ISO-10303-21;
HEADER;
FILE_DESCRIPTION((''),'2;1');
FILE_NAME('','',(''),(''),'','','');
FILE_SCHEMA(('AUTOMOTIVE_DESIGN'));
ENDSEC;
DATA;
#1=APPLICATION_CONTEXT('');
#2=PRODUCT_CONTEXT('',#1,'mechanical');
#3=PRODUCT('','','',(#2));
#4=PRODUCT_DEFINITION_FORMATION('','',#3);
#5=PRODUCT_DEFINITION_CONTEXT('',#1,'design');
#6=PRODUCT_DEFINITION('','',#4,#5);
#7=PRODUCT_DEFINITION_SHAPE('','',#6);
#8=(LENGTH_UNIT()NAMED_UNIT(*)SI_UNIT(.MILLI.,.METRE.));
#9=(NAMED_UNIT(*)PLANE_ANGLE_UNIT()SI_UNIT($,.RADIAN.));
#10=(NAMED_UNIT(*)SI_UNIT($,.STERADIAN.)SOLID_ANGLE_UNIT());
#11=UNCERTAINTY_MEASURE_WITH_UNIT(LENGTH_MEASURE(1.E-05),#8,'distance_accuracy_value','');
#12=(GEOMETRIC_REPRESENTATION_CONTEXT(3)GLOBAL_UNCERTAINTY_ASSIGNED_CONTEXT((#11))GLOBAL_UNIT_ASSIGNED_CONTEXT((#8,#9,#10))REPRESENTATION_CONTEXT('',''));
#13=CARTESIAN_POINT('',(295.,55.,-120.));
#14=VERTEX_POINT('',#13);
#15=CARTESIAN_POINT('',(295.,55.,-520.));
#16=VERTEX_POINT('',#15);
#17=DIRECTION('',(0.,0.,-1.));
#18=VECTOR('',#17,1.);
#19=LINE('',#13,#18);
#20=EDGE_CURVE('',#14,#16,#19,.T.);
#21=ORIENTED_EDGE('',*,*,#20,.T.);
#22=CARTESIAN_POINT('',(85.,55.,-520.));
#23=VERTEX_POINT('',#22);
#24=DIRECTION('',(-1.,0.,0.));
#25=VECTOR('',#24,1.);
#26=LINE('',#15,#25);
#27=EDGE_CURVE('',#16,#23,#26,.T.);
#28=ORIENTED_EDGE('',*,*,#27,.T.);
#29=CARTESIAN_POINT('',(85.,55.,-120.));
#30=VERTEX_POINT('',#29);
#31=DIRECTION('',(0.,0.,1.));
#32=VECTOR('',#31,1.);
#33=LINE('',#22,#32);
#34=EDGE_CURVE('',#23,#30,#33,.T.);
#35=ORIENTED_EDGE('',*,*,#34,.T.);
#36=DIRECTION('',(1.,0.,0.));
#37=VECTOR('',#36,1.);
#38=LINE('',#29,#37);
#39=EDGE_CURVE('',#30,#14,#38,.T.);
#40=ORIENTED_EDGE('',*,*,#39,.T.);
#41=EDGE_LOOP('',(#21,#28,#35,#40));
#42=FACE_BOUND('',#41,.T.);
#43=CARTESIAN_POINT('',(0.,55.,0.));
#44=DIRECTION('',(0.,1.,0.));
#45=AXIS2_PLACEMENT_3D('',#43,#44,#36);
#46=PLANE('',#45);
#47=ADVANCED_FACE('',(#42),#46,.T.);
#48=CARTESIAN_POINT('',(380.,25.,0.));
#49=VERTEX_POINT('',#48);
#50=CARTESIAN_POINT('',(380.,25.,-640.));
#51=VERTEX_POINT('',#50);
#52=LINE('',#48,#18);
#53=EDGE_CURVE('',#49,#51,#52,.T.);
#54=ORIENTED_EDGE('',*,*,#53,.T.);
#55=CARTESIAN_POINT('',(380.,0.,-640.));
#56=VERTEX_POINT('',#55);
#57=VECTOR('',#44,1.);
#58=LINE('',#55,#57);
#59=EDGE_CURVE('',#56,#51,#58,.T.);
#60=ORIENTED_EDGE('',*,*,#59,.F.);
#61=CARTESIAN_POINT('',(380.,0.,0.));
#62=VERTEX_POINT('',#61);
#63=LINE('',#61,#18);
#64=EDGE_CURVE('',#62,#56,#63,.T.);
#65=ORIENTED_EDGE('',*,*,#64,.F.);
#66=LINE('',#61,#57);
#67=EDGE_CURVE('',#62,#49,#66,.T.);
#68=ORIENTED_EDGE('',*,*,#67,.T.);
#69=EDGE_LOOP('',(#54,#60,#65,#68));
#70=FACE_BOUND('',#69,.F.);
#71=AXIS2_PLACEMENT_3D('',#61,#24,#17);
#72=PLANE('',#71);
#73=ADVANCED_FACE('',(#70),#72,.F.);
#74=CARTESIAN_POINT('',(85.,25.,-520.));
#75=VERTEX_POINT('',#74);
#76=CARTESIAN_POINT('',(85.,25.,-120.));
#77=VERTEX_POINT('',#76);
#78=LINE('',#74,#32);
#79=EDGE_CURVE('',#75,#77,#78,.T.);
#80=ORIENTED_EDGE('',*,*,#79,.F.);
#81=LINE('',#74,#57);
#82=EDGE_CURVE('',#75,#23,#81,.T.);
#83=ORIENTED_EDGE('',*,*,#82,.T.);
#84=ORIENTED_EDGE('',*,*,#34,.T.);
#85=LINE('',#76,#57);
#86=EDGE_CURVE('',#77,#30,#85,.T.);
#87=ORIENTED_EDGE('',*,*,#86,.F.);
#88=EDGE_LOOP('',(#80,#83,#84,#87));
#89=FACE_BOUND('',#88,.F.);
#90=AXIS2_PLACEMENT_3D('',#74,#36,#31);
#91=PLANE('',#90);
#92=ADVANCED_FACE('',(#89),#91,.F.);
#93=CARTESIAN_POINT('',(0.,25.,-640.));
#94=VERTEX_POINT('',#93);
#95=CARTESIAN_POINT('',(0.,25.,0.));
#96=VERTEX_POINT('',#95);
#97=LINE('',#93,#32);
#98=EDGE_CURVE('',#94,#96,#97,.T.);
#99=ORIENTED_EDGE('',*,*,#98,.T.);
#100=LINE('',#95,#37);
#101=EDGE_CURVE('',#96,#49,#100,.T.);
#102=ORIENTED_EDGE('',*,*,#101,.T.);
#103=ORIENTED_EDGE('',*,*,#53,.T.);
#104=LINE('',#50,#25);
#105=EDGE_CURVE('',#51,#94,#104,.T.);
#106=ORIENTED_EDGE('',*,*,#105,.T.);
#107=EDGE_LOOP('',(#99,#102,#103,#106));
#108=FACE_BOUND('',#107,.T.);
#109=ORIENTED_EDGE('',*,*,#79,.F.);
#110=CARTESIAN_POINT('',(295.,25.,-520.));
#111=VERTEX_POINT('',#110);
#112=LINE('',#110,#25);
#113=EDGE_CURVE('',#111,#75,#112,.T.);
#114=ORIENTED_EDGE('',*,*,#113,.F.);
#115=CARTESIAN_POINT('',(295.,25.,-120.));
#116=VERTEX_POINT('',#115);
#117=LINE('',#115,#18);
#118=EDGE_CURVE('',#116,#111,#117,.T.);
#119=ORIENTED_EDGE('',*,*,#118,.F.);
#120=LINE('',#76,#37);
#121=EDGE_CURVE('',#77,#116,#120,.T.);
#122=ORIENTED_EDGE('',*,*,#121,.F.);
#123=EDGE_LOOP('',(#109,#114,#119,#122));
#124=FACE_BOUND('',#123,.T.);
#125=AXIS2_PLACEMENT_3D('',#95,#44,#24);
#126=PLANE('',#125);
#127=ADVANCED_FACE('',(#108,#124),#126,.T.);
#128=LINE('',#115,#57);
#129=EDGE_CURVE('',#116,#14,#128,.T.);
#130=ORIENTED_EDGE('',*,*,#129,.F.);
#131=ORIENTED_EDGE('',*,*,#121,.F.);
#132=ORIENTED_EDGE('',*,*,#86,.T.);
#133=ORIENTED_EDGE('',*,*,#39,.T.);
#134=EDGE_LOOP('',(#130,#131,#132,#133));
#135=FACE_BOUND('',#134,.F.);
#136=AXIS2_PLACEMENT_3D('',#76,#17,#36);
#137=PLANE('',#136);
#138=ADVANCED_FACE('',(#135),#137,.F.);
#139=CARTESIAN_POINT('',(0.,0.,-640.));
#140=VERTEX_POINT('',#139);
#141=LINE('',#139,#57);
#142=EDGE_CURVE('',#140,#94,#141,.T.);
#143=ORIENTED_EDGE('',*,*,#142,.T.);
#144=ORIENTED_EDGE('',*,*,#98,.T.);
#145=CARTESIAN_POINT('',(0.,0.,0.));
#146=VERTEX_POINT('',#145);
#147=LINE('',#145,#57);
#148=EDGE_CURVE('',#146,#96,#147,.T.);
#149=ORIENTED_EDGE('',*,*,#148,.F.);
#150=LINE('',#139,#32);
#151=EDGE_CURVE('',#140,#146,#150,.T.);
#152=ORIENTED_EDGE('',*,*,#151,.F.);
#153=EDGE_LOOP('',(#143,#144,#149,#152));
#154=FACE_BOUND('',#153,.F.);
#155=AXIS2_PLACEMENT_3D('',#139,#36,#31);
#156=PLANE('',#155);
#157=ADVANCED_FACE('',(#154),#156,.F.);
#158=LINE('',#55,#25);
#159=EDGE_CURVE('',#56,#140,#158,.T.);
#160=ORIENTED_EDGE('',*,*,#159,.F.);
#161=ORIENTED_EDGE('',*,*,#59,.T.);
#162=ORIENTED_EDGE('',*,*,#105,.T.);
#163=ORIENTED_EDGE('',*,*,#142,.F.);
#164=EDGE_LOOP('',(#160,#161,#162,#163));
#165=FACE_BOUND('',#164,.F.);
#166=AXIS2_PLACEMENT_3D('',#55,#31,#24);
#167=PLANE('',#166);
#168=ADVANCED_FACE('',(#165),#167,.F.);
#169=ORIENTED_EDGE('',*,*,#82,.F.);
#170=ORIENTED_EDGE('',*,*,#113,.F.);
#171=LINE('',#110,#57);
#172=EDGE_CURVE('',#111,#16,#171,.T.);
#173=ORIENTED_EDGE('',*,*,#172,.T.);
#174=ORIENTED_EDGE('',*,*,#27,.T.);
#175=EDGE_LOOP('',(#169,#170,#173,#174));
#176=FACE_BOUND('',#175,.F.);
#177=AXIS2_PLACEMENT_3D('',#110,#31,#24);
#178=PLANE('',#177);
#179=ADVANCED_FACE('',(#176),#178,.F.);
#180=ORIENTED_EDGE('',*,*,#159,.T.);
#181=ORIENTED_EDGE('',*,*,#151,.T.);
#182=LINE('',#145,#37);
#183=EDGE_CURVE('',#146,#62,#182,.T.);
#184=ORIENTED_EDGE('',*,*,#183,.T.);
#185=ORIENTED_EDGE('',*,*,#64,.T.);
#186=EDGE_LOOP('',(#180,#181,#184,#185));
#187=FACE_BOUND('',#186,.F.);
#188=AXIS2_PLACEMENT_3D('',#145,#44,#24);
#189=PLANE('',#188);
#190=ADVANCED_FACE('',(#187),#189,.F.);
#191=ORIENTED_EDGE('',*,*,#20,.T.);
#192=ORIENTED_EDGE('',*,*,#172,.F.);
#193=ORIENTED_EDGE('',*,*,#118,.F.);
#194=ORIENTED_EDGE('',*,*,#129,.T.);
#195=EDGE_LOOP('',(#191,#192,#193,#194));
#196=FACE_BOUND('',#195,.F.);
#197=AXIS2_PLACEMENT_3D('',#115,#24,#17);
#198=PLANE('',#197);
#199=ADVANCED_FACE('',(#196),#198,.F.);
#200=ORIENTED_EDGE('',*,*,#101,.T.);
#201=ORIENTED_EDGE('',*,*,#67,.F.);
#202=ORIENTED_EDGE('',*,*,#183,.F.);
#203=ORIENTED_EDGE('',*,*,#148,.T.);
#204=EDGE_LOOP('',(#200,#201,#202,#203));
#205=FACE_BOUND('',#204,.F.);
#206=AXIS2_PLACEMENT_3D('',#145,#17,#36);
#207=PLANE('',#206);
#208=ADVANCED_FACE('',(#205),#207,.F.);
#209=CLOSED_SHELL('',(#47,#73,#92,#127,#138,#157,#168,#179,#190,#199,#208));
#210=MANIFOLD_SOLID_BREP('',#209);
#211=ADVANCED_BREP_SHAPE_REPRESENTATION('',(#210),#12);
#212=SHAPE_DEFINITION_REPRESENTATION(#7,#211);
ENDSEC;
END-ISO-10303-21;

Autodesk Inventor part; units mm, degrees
ref_plane "YZ Plane" through (0, 0, 0) normal (1, 0, 0) x (0, 1, 0)
ref_plane "XZ Plane" through (0, 0, 0) normal (0, 1, 0) x (-1, 0, 0)
ref_plane "XY Plane" through (0, 0, 0) normal (0, 0, 1) x (1, 0, 0)
sketch "Sketch1" plane through (0, 0, 0) normal (0, 1, 0) x (-1, 0, 0)
  line L0 (0, 0) -> (-380, 0)
  line L1 (-380, 0) -> (-380, -640)
  line L2 (-380, -640) -> (0, -640)
  line L3 (0, -640) -> (0, 0)
  dimension "d0" = 380
  dimension "d1" = 640
extrude "Extrusion1" add sketch "Sketch1" along normal blind 25
sketch "Sketch2" plane through (0, 25, 0) normal (0, 1, 0) x (1, 0, 0)
  line L0 (85, 120) -> (295, 120)
  line L1 (295, 120) -> (295, 520)
  line L2 (295, 520) -> (85, 520)
  line L3 (85, 520) -> (85, 120)
  line L4 (0, 640) -> (0, 0) projected
  line L5 (380, 640) -> (0, 640) projected
  dimension "d4" = 210
  dimension "d5" = 400
  dimension "d6" = 85
  dimension "d7" = 120
extrude "Extrusion2" add sketch "Sketch2" along normal blind 30
properties part number "Monitor, back bump not measured"
